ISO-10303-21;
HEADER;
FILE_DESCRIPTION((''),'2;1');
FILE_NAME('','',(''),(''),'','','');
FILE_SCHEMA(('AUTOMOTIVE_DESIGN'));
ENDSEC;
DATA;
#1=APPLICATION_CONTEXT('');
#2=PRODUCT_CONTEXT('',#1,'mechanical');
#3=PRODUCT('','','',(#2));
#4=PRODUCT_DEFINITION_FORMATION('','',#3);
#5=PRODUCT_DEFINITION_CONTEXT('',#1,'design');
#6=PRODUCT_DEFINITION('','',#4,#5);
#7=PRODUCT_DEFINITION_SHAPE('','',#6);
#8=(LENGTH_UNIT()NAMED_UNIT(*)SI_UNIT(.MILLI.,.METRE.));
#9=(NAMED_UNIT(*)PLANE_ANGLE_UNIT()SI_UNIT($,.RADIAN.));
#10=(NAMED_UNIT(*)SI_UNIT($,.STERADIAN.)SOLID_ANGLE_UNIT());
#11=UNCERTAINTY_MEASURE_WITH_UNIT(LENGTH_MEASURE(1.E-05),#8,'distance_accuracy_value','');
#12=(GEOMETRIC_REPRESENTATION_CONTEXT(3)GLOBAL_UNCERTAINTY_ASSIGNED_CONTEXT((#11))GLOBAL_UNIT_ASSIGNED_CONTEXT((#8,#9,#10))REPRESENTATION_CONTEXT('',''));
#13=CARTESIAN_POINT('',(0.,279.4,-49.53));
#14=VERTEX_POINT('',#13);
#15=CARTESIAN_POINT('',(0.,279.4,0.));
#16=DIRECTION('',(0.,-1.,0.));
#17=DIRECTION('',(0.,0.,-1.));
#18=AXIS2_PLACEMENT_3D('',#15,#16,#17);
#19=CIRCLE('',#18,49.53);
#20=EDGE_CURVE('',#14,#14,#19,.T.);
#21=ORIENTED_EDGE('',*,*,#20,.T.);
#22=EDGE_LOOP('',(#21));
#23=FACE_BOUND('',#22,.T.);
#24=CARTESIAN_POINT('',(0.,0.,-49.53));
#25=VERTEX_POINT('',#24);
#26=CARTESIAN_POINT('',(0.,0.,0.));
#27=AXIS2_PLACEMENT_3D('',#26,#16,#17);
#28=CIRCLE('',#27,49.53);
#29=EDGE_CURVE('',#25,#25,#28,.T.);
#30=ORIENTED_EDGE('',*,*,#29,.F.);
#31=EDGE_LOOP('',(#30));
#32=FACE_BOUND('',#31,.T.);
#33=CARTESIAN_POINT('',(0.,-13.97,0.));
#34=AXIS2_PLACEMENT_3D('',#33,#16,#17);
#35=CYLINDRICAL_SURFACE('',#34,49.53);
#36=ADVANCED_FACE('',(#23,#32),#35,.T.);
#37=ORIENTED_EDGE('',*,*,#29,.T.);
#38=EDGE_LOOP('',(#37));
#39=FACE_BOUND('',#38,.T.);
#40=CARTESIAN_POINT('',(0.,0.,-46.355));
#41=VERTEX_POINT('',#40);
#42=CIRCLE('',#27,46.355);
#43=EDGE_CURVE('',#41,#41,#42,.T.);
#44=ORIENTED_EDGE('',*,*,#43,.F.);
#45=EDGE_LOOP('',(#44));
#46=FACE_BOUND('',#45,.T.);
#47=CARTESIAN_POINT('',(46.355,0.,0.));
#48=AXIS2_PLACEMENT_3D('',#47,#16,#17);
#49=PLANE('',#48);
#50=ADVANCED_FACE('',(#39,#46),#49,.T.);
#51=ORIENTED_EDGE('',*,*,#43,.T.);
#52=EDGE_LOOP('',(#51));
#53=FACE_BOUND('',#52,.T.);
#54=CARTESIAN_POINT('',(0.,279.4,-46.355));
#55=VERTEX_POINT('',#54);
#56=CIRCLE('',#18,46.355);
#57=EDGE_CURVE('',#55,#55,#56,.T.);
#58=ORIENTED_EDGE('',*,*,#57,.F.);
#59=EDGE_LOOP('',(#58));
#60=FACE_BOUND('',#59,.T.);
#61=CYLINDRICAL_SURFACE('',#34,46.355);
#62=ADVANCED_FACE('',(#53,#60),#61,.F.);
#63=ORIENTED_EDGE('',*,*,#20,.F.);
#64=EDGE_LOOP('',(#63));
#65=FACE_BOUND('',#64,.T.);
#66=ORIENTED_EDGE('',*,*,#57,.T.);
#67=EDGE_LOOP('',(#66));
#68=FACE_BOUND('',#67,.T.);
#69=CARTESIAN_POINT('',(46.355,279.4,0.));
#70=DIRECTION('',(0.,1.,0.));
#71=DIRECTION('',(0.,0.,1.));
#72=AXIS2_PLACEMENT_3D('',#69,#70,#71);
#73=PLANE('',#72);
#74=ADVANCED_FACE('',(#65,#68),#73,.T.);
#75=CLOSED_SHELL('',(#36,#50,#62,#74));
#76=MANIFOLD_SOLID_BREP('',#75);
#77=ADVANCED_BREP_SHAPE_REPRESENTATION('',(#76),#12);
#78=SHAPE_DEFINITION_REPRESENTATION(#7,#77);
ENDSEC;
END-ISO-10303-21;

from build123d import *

# Parameters (mm, degrees)
SKETCH1_W = 3.175
SKETCH1_H = 279.4


with BuildPart() as part:
    # Sketch1 → Revolve1 (revolve)
    with BuildSketch(Plane.XY):
        with Locations((47.9425, 139.7)):
            Rectangle(SKETCH1_W, SKETCH1_H)
    revolve(axis=Axis((0, -13.97, 0), (0, 1, 0)))


solid = part.part
